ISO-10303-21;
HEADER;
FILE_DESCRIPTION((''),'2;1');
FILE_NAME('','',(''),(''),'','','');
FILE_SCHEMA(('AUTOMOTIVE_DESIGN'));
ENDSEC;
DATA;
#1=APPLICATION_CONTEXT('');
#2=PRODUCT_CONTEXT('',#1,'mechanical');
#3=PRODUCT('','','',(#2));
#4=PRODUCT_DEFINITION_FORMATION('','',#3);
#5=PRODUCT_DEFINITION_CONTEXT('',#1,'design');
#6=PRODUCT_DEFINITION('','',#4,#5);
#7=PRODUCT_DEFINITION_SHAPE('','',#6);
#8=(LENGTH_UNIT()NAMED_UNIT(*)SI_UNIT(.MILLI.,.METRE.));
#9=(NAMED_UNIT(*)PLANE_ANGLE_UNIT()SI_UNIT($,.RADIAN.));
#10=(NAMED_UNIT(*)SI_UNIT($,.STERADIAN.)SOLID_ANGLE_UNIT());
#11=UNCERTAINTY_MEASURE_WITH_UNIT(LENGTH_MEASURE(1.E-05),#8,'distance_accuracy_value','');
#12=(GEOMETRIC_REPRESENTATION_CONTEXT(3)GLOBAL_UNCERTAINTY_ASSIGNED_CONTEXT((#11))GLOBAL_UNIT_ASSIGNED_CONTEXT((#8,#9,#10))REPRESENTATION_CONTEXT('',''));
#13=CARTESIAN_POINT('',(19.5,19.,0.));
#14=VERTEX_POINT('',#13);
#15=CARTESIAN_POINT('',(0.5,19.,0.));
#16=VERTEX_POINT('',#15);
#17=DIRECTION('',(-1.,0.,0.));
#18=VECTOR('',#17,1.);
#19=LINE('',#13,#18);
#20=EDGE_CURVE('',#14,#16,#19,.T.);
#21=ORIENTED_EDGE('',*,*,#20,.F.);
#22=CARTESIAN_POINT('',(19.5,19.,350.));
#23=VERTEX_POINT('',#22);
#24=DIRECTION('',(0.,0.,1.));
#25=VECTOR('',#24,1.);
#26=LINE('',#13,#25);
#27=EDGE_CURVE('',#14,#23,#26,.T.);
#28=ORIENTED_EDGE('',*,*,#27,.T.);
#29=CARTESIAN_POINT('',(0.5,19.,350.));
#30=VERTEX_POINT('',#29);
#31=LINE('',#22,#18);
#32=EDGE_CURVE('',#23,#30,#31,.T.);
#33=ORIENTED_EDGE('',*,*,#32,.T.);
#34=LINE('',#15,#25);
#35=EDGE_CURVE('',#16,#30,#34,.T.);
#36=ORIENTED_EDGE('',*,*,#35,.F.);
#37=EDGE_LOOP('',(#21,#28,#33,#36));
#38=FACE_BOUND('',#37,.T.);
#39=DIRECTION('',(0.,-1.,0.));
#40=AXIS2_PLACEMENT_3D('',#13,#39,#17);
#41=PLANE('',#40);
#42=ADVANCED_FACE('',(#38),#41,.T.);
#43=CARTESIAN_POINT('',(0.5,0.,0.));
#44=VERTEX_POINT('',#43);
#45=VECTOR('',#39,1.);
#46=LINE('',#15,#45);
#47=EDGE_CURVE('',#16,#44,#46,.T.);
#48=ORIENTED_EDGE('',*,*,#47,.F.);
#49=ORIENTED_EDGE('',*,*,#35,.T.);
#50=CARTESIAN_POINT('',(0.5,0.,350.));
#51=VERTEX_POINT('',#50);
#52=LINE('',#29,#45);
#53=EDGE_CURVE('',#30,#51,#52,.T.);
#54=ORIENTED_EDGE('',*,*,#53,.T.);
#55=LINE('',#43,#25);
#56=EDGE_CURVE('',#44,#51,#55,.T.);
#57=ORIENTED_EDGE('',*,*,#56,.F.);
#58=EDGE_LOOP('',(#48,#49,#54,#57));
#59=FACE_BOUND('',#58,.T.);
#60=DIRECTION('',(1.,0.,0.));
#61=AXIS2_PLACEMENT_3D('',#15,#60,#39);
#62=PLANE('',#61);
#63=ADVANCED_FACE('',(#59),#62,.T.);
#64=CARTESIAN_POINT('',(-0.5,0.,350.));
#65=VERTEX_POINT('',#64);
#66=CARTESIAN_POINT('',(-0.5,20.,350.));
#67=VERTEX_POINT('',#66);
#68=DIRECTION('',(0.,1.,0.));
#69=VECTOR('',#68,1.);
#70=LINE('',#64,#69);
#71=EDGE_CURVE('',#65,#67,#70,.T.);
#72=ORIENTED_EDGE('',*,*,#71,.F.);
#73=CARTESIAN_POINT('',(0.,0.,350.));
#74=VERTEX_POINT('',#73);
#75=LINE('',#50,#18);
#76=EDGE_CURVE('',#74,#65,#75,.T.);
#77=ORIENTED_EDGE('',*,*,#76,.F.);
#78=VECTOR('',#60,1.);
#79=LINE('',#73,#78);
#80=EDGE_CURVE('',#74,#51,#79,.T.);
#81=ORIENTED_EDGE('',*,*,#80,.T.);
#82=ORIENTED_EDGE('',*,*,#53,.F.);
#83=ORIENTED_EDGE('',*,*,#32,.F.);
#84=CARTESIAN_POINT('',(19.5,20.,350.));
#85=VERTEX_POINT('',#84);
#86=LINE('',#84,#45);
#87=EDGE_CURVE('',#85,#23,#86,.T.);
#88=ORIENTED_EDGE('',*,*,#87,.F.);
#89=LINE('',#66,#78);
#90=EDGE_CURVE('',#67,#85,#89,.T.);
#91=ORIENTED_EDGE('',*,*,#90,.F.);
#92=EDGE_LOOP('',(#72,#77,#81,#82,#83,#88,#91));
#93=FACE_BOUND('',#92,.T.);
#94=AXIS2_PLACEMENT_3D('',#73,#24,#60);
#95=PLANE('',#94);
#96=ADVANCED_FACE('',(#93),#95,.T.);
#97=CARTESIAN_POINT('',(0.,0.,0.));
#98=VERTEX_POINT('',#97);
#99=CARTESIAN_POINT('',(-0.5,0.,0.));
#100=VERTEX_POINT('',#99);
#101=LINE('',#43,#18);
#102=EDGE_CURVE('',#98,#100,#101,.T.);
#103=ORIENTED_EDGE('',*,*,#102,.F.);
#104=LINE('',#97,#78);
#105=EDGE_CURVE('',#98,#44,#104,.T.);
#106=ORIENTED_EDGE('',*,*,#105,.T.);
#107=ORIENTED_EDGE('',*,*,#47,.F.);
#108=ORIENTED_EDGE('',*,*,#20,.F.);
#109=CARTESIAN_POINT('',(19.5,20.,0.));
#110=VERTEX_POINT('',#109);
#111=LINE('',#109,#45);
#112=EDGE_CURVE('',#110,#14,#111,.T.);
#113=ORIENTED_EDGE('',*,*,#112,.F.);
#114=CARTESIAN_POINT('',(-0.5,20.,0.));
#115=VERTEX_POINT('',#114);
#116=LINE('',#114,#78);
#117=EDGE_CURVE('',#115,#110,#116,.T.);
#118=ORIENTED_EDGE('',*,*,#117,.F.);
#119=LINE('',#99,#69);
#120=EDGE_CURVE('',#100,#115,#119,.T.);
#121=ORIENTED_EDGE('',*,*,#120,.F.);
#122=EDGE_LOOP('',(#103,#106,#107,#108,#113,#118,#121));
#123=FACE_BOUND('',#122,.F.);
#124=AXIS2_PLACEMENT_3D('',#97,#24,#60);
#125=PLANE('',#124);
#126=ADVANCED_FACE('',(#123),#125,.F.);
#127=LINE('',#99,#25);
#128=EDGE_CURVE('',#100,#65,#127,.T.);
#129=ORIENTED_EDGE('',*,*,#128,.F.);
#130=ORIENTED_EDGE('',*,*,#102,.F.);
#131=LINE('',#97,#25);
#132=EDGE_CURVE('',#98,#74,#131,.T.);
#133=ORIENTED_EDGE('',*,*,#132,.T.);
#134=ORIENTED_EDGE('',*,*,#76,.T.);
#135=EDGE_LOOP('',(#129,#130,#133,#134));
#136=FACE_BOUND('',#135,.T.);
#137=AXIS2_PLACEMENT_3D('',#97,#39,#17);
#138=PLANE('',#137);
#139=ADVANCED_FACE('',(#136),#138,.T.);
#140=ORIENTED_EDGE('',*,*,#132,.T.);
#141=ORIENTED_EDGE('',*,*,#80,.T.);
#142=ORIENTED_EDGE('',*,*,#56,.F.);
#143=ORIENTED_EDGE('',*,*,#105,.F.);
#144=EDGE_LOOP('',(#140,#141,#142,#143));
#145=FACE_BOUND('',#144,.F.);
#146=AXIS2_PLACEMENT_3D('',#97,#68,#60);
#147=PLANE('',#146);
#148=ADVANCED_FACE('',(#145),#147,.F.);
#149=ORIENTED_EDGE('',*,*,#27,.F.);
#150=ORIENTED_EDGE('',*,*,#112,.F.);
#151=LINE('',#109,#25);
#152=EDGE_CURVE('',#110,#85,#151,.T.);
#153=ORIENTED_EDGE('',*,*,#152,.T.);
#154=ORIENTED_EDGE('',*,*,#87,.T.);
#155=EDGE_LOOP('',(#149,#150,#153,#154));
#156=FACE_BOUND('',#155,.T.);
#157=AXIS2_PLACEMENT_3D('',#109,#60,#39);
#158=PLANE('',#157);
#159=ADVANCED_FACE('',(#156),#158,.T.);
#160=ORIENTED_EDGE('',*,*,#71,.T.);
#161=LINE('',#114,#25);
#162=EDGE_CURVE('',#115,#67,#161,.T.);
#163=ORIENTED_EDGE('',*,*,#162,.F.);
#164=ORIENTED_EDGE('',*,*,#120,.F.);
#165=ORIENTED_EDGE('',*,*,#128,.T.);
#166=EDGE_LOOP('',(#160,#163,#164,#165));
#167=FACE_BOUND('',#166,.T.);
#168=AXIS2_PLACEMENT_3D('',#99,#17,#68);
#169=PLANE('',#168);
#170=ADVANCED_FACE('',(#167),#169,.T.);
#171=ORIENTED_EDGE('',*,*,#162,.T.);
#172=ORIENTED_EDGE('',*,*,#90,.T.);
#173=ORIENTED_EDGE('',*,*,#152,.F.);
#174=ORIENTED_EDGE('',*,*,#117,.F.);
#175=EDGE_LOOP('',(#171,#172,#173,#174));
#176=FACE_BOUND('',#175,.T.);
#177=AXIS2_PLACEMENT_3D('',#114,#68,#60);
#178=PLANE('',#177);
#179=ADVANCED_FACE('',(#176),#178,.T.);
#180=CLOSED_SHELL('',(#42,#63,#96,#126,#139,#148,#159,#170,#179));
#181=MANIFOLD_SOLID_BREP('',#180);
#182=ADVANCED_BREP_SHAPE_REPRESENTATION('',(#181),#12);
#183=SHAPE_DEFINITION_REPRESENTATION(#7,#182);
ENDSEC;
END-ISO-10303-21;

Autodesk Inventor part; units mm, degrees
ref_plane "YZ Plane" through (0, 0, 0) normal (1, 0, 0) x (0, 1, 0)
ref_plane "XZ Plane" through (0, 0, 0) normal (0, 1, 0) x (-1, 0, 0)
ref_plane "XY Plane" through (0, 0, 0) normal (0, 0, 1) x (1, 0, 0)
sketch "Эскиз2" plane through (0, 0, 0) normal (0, 0, 1) x (1, 0, 0)
  line L0 (0, 0) -> (0.5, 0)
  line L1 (0.5, 0) -> (-0.5, 0)
  line L2 (-0.5, 0) -> (-0.5, 20)
  line L3 (-0.5, 20) -> (19.5, 20)
  line L4 (19.5, 20) -> (19.5, 19)
  line L5 (19.5, 19) -> (0.5, 19)
  line L6 (0.5, 19) -> (0.5, 0)
  dimension "d0" = 0.5
  dimension "d1" = 1
  dimension "d2" = 20
  dimension "d3" = 20
  dimension "d4" = 1
extrude "Выдавливание1" add sketch "Эскиз2" along normal blind 350
properties part number "уголок 350" material "Алюминий 6061"
